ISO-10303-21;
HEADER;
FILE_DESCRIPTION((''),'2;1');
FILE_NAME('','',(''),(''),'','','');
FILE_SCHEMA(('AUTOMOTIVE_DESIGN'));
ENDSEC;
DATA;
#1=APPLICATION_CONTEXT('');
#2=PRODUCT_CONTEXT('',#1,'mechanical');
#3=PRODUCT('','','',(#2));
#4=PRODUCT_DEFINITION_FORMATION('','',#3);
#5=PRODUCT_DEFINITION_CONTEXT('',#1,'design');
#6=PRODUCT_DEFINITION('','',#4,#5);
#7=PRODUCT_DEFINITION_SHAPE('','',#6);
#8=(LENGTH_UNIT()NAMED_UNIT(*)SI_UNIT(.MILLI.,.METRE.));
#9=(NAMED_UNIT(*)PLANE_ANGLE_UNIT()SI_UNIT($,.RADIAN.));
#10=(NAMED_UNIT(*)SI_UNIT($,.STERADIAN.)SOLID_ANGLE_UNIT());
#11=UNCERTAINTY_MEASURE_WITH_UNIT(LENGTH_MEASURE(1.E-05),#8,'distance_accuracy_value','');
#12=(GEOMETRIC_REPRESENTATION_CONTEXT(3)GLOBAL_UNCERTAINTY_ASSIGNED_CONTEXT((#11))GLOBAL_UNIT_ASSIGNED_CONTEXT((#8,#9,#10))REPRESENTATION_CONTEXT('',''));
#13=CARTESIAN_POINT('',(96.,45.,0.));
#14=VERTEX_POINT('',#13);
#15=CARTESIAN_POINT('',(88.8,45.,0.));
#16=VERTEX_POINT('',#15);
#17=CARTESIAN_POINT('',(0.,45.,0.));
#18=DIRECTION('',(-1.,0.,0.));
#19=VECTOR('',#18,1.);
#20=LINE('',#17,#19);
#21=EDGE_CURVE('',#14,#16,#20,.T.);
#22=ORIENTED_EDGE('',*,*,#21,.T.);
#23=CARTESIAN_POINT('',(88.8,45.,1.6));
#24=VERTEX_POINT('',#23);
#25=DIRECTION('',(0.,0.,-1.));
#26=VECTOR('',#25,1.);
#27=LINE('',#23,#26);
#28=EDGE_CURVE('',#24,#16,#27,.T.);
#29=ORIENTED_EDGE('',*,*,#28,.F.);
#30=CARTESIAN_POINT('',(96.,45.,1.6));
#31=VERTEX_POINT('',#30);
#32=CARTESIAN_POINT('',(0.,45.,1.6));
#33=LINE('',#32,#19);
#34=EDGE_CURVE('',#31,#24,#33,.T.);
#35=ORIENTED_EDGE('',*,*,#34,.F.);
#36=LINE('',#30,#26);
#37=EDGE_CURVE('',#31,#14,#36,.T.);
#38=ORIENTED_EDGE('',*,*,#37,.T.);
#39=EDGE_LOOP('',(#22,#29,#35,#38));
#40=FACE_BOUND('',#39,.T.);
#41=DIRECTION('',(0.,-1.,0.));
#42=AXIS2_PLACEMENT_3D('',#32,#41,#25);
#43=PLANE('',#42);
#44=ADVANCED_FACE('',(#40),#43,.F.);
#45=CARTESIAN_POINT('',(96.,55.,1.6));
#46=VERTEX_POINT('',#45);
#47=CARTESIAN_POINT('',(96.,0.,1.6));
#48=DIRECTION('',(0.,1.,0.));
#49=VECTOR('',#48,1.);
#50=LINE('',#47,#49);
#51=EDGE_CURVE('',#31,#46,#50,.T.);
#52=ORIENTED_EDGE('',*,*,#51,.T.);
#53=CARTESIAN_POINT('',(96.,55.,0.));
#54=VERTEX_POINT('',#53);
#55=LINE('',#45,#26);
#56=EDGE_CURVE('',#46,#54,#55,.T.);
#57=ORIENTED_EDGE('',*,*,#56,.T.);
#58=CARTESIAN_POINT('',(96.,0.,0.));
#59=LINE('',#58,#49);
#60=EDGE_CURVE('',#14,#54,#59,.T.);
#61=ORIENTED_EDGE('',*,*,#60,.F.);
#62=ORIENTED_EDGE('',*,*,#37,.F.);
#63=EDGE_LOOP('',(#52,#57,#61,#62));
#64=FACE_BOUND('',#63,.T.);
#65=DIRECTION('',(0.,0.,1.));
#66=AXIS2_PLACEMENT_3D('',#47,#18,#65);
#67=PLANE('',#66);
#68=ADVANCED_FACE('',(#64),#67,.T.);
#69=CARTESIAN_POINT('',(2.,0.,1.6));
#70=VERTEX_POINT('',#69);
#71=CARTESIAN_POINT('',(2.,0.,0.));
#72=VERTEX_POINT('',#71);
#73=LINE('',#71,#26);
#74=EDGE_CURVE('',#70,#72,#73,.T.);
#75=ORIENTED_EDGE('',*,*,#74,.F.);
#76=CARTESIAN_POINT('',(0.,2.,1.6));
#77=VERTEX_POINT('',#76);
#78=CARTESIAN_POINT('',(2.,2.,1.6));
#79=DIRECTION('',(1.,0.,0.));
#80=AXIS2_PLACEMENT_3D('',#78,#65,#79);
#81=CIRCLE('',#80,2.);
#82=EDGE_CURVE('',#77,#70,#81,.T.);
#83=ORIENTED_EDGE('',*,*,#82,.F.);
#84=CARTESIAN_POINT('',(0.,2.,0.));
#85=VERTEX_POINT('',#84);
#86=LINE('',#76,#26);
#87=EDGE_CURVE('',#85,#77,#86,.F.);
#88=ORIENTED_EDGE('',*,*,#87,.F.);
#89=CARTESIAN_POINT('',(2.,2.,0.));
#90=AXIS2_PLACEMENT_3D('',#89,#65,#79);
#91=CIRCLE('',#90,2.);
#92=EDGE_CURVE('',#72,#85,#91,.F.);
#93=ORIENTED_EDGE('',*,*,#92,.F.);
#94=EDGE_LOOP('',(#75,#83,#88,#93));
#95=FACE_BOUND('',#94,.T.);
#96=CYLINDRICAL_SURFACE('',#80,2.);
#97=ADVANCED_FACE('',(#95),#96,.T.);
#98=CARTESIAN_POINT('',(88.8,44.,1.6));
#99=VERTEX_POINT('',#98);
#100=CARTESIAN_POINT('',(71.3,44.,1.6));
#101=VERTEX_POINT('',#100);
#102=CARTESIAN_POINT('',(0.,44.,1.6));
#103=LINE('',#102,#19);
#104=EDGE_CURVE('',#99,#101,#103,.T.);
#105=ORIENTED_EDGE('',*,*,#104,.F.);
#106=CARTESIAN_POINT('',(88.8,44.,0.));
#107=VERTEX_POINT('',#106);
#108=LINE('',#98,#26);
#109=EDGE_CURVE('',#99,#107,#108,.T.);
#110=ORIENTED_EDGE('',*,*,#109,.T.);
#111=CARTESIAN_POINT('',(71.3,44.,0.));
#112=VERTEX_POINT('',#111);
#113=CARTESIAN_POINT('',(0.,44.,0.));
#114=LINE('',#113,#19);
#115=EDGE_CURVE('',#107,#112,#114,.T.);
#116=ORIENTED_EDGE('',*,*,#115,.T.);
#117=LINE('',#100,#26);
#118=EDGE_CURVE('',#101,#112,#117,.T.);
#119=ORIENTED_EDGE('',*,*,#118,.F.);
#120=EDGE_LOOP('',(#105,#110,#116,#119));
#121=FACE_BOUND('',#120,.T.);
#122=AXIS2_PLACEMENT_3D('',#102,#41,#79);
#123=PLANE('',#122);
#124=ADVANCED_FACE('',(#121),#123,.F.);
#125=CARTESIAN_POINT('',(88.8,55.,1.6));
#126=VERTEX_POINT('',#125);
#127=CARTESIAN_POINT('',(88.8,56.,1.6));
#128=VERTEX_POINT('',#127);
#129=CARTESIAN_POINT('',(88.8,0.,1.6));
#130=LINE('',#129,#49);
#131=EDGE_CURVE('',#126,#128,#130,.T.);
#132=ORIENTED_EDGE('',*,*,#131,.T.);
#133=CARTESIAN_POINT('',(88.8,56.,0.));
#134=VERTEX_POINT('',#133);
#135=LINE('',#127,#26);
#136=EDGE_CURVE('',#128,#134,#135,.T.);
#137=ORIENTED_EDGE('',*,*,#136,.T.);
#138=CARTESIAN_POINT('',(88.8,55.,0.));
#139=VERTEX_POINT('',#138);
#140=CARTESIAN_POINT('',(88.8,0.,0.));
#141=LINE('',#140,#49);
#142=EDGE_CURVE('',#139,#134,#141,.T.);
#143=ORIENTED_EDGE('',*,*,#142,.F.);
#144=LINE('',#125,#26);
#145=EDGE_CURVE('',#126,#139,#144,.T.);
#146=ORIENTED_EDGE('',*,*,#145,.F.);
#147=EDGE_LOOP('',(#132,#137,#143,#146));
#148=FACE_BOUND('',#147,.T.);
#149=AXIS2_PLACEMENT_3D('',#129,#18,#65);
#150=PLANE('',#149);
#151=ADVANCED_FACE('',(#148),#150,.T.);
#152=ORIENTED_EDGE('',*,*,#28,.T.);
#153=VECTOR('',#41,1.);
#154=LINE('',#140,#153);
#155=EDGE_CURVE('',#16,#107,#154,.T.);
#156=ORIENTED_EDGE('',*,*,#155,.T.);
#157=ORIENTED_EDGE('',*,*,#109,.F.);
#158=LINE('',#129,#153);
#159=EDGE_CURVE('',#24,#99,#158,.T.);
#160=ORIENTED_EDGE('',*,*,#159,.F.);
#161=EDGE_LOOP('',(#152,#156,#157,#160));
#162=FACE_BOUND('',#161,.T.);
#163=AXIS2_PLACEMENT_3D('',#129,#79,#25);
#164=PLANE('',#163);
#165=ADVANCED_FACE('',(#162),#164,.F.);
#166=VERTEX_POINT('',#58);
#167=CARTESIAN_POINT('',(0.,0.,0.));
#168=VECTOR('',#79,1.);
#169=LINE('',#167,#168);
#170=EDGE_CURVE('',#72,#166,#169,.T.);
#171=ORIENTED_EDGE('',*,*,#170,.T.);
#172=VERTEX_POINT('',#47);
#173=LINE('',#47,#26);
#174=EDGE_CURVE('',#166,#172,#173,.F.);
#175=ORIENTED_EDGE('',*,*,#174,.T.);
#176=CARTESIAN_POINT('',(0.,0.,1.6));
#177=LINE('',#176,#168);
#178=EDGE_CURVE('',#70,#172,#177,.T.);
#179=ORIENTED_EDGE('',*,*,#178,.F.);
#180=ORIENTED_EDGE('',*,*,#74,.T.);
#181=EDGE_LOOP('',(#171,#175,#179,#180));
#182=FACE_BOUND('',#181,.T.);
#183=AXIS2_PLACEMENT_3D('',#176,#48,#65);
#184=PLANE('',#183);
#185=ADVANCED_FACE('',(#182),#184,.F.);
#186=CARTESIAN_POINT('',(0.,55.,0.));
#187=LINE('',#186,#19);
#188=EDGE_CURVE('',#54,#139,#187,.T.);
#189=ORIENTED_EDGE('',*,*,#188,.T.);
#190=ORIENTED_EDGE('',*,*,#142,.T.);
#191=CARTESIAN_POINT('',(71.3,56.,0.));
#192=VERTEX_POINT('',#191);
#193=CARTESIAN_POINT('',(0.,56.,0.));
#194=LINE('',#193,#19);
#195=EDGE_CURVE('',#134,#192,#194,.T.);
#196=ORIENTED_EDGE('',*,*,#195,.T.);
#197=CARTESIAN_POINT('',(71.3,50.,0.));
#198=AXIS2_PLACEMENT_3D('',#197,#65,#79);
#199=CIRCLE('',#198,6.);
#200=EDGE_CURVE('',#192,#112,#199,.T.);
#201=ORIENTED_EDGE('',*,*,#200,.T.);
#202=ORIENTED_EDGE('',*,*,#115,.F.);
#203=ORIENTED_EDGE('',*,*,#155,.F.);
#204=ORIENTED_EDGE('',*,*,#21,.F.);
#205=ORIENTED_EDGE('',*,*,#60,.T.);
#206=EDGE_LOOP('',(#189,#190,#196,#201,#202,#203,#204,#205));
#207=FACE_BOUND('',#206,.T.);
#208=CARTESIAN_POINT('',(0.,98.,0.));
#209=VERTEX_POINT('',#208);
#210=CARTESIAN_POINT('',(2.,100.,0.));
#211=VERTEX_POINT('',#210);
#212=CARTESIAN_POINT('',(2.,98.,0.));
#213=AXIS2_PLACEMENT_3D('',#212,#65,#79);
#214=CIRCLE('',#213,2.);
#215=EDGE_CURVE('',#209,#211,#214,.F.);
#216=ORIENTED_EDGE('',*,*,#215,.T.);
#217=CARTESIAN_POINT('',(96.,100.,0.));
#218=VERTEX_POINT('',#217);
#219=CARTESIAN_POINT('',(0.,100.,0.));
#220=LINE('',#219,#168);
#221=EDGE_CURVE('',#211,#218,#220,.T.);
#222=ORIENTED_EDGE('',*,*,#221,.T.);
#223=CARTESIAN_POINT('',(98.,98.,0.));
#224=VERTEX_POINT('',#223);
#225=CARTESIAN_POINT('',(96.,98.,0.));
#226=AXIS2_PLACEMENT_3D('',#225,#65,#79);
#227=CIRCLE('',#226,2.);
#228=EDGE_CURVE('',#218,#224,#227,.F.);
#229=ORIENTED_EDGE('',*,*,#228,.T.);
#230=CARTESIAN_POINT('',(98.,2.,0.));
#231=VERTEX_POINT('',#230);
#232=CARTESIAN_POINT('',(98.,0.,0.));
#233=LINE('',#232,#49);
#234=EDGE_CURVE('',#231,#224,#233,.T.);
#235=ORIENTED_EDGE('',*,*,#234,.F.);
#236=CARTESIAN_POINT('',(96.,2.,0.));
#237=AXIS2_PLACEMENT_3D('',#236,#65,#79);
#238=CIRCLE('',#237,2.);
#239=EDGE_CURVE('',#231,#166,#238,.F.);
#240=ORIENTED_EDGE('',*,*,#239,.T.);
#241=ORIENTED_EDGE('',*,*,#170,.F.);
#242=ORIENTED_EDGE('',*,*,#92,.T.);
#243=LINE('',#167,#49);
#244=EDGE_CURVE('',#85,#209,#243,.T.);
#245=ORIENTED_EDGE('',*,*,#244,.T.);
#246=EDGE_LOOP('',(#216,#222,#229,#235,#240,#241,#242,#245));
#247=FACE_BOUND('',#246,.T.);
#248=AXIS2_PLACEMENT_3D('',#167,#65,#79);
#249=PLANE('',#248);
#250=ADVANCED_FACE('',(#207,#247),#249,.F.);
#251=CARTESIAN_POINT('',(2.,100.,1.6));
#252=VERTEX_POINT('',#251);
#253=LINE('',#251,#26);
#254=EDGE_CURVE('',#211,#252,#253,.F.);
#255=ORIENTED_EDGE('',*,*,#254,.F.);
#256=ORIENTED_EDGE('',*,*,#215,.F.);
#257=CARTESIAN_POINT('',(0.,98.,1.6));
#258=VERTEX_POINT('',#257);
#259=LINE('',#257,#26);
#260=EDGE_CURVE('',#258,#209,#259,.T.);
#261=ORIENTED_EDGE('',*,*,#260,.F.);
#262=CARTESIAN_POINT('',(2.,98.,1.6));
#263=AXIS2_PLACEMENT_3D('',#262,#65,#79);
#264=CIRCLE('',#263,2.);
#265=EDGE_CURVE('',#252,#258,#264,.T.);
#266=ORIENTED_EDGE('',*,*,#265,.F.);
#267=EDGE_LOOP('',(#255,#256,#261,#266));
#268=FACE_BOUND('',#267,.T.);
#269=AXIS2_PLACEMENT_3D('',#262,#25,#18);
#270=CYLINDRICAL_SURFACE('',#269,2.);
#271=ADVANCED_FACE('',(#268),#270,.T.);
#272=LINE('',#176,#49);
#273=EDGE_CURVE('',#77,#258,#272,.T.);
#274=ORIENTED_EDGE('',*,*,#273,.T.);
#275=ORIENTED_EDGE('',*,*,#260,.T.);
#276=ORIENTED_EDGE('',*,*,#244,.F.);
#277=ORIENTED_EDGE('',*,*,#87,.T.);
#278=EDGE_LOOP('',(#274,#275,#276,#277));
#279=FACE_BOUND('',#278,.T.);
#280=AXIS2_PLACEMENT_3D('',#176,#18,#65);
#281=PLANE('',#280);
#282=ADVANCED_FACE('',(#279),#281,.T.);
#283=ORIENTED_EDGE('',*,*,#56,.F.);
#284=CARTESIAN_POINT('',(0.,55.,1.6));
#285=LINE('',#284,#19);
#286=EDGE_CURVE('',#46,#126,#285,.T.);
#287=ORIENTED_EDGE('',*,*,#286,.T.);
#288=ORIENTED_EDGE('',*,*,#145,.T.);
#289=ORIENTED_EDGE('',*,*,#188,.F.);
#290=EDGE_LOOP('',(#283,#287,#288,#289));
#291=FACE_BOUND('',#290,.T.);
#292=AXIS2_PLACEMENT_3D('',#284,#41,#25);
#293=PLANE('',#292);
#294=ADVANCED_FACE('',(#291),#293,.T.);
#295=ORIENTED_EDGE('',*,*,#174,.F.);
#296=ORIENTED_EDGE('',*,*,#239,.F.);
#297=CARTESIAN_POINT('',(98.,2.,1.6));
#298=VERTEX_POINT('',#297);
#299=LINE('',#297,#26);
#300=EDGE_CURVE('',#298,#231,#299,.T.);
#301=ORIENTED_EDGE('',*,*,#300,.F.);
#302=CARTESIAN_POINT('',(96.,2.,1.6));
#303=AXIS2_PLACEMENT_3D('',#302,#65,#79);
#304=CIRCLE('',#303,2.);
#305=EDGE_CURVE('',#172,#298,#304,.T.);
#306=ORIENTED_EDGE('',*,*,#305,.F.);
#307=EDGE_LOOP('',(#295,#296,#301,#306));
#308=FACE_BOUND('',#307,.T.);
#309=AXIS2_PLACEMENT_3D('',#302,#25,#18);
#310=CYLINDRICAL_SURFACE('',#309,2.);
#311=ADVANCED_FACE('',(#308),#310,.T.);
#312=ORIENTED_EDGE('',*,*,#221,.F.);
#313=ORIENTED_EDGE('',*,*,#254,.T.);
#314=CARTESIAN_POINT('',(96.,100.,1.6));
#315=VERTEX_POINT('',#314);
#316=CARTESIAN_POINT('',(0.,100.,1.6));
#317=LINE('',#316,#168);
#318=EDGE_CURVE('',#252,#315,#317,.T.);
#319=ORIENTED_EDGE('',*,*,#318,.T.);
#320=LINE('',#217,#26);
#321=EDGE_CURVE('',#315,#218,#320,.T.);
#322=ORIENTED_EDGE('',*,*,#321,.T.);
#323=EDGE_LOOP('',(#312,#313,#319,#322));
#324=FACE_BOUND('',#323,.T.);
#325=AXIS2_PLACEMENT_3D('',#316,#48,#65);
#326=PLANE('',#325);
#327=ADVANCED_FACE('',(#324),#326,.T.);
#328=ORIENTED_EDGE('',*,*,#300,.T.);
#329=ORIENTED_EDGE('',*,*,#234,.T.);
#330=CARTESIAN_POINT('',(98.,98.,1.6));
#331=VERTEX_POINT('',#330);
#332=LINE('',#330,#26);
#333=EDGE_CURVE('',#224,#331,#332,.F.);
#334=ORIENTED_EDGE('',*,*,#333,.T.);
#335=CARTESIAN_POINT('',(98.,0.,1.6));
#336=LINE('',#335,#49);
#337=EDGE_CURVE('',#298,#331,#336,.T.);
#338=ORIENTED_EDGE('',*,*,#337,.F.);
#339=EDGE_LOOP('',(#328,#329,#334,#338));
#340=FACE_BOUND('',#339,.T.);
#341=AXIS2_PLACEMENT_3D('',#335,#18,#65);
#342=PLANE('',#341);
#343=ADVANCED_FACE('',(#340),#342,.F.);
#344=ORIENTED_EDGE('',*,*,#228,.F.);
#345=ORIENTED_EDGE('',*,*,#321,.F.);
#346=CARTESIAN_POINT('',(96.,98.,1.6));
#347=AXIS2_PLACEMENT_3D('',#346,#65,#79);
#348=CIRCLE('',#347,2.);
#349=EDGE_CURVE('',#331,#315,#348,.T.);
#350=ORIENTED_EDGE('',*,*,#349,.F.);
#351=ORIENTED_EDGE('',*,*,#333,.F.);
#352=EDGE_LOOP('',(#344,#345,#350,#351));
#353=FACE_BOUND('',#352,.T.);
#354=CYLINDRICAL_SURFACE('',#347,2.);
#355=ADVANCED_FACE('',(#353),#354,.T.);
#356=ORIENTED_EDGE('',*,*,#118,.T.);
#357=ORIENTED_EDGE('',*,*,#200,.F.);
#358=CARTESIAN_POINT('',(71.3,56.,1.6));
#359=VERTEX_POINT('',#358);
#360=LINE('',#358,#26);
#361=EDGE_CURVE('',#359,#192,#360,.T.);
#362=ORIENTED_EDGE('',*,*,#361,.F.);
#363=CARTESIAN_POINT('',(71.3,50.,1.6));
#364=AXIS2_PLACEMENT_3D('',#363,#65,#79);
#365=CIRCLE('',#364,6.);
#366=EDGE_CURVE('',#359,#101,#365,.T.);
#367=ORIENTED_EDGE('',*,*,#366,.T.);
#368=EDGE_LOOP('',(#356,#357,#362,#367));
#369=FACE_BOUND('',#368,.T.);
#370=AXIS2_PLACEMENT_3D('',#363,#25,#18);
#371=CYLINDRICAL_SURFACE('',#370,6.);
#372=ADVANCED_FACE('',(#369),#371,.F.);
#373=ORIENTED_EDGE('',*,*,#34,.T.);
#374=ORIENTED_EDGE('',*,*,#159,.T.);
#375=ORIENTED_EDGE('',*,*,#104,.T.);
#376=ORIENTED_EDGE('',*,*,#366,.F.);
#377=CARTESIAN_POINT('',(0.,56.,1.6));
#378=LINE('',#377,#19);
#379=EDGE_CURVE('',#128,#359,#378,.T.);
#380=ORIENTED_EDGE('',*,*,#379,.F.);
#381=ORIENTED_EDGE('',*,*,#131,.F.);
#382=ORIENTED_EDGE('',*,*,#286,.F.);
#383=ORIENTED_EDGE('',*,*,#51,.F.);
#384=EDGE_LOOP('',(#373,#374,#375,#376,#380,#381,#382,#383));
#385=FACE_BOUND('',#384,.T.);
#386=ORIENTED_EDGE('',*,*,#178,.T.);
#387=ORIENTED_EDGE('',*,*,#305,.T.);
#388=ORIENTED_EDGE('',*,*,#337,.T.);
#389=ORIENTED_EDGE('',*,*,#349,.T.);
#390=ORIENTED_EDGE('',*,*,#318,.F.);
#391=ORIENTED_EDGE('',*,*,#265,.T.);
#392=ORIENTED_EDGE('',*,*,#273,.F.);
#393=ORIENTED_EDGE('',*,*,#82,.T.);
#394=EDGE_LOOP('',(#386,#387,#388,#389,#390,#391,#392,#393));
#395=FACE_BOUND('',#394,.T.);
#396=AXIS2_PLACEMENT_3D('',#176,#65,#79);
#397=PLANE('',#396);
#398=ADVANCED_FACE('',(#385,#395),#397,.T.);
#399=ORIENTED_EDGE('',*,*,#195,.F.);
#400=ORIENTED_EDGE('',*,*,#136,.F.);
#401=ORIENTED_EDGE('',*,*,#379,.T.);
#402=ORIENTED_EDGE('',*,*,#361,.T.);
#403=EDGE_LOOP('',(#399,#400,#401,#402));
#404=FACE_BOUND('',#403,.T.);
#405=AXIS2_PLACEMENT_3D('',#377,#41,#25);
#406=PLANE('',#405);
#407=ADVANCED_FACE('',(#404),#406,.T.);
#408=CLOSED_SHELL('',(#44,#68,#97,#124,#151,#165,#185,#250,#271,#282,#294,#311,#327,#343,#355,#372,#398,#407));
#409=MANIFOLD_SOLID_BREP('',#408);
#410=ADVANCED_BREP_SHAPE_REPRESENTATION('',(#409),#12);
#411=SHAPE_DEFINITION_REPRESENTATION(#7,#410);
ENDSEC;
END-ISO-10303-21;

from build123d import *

# Parameters (mm, degrees)
SKETCH_1_W      = 98
SKETCH_1_H      = 100
EXTRUDE_1_DEPTH = 1.6
FILLET_1_R      = 2


with BuildPart() as part:
    # 草图1 → 凸台-拉伸1 (new body)
    with BuildSketch(Plane.XY):
        with Locations((49, 50)):
            Rectangle(SKETCH_1_W, SKETCH_1_H)
        with BuildLine():
            Line((96, 55), (96, 50))
            Line((96, 50), (96, 45))
            Line((96, 45), (88.8, 45))
            Line((88.8, 45), (88.8, 44))
            Line((88.8, 44), (71.3, 44))
            ThreePointArc((71.3, 44), (65.3, 50), (71.3, 56))
            Line((71.3, 56), (88.8, 56))
            Line((88.8, 56), (88.8, 55))
            Line((88.8, 55), (96, 55))
        make_face(mode=Mode.SUBTRACT)
    extrude(amount=EXTRUDE_1_DEPTH)

    # 圆角1
    fillet_1_edges = [part.edges().sort_by_distance(p)[0] for p in [
        (0, 0, 0.8),
        (0, 100, 0.8),
        (98, 100, 0.8),
        (98, 0, 0.8),
    ]]
    fillet(fillet_1_edges, radius=FILLET_1_R)


solid = part.part
